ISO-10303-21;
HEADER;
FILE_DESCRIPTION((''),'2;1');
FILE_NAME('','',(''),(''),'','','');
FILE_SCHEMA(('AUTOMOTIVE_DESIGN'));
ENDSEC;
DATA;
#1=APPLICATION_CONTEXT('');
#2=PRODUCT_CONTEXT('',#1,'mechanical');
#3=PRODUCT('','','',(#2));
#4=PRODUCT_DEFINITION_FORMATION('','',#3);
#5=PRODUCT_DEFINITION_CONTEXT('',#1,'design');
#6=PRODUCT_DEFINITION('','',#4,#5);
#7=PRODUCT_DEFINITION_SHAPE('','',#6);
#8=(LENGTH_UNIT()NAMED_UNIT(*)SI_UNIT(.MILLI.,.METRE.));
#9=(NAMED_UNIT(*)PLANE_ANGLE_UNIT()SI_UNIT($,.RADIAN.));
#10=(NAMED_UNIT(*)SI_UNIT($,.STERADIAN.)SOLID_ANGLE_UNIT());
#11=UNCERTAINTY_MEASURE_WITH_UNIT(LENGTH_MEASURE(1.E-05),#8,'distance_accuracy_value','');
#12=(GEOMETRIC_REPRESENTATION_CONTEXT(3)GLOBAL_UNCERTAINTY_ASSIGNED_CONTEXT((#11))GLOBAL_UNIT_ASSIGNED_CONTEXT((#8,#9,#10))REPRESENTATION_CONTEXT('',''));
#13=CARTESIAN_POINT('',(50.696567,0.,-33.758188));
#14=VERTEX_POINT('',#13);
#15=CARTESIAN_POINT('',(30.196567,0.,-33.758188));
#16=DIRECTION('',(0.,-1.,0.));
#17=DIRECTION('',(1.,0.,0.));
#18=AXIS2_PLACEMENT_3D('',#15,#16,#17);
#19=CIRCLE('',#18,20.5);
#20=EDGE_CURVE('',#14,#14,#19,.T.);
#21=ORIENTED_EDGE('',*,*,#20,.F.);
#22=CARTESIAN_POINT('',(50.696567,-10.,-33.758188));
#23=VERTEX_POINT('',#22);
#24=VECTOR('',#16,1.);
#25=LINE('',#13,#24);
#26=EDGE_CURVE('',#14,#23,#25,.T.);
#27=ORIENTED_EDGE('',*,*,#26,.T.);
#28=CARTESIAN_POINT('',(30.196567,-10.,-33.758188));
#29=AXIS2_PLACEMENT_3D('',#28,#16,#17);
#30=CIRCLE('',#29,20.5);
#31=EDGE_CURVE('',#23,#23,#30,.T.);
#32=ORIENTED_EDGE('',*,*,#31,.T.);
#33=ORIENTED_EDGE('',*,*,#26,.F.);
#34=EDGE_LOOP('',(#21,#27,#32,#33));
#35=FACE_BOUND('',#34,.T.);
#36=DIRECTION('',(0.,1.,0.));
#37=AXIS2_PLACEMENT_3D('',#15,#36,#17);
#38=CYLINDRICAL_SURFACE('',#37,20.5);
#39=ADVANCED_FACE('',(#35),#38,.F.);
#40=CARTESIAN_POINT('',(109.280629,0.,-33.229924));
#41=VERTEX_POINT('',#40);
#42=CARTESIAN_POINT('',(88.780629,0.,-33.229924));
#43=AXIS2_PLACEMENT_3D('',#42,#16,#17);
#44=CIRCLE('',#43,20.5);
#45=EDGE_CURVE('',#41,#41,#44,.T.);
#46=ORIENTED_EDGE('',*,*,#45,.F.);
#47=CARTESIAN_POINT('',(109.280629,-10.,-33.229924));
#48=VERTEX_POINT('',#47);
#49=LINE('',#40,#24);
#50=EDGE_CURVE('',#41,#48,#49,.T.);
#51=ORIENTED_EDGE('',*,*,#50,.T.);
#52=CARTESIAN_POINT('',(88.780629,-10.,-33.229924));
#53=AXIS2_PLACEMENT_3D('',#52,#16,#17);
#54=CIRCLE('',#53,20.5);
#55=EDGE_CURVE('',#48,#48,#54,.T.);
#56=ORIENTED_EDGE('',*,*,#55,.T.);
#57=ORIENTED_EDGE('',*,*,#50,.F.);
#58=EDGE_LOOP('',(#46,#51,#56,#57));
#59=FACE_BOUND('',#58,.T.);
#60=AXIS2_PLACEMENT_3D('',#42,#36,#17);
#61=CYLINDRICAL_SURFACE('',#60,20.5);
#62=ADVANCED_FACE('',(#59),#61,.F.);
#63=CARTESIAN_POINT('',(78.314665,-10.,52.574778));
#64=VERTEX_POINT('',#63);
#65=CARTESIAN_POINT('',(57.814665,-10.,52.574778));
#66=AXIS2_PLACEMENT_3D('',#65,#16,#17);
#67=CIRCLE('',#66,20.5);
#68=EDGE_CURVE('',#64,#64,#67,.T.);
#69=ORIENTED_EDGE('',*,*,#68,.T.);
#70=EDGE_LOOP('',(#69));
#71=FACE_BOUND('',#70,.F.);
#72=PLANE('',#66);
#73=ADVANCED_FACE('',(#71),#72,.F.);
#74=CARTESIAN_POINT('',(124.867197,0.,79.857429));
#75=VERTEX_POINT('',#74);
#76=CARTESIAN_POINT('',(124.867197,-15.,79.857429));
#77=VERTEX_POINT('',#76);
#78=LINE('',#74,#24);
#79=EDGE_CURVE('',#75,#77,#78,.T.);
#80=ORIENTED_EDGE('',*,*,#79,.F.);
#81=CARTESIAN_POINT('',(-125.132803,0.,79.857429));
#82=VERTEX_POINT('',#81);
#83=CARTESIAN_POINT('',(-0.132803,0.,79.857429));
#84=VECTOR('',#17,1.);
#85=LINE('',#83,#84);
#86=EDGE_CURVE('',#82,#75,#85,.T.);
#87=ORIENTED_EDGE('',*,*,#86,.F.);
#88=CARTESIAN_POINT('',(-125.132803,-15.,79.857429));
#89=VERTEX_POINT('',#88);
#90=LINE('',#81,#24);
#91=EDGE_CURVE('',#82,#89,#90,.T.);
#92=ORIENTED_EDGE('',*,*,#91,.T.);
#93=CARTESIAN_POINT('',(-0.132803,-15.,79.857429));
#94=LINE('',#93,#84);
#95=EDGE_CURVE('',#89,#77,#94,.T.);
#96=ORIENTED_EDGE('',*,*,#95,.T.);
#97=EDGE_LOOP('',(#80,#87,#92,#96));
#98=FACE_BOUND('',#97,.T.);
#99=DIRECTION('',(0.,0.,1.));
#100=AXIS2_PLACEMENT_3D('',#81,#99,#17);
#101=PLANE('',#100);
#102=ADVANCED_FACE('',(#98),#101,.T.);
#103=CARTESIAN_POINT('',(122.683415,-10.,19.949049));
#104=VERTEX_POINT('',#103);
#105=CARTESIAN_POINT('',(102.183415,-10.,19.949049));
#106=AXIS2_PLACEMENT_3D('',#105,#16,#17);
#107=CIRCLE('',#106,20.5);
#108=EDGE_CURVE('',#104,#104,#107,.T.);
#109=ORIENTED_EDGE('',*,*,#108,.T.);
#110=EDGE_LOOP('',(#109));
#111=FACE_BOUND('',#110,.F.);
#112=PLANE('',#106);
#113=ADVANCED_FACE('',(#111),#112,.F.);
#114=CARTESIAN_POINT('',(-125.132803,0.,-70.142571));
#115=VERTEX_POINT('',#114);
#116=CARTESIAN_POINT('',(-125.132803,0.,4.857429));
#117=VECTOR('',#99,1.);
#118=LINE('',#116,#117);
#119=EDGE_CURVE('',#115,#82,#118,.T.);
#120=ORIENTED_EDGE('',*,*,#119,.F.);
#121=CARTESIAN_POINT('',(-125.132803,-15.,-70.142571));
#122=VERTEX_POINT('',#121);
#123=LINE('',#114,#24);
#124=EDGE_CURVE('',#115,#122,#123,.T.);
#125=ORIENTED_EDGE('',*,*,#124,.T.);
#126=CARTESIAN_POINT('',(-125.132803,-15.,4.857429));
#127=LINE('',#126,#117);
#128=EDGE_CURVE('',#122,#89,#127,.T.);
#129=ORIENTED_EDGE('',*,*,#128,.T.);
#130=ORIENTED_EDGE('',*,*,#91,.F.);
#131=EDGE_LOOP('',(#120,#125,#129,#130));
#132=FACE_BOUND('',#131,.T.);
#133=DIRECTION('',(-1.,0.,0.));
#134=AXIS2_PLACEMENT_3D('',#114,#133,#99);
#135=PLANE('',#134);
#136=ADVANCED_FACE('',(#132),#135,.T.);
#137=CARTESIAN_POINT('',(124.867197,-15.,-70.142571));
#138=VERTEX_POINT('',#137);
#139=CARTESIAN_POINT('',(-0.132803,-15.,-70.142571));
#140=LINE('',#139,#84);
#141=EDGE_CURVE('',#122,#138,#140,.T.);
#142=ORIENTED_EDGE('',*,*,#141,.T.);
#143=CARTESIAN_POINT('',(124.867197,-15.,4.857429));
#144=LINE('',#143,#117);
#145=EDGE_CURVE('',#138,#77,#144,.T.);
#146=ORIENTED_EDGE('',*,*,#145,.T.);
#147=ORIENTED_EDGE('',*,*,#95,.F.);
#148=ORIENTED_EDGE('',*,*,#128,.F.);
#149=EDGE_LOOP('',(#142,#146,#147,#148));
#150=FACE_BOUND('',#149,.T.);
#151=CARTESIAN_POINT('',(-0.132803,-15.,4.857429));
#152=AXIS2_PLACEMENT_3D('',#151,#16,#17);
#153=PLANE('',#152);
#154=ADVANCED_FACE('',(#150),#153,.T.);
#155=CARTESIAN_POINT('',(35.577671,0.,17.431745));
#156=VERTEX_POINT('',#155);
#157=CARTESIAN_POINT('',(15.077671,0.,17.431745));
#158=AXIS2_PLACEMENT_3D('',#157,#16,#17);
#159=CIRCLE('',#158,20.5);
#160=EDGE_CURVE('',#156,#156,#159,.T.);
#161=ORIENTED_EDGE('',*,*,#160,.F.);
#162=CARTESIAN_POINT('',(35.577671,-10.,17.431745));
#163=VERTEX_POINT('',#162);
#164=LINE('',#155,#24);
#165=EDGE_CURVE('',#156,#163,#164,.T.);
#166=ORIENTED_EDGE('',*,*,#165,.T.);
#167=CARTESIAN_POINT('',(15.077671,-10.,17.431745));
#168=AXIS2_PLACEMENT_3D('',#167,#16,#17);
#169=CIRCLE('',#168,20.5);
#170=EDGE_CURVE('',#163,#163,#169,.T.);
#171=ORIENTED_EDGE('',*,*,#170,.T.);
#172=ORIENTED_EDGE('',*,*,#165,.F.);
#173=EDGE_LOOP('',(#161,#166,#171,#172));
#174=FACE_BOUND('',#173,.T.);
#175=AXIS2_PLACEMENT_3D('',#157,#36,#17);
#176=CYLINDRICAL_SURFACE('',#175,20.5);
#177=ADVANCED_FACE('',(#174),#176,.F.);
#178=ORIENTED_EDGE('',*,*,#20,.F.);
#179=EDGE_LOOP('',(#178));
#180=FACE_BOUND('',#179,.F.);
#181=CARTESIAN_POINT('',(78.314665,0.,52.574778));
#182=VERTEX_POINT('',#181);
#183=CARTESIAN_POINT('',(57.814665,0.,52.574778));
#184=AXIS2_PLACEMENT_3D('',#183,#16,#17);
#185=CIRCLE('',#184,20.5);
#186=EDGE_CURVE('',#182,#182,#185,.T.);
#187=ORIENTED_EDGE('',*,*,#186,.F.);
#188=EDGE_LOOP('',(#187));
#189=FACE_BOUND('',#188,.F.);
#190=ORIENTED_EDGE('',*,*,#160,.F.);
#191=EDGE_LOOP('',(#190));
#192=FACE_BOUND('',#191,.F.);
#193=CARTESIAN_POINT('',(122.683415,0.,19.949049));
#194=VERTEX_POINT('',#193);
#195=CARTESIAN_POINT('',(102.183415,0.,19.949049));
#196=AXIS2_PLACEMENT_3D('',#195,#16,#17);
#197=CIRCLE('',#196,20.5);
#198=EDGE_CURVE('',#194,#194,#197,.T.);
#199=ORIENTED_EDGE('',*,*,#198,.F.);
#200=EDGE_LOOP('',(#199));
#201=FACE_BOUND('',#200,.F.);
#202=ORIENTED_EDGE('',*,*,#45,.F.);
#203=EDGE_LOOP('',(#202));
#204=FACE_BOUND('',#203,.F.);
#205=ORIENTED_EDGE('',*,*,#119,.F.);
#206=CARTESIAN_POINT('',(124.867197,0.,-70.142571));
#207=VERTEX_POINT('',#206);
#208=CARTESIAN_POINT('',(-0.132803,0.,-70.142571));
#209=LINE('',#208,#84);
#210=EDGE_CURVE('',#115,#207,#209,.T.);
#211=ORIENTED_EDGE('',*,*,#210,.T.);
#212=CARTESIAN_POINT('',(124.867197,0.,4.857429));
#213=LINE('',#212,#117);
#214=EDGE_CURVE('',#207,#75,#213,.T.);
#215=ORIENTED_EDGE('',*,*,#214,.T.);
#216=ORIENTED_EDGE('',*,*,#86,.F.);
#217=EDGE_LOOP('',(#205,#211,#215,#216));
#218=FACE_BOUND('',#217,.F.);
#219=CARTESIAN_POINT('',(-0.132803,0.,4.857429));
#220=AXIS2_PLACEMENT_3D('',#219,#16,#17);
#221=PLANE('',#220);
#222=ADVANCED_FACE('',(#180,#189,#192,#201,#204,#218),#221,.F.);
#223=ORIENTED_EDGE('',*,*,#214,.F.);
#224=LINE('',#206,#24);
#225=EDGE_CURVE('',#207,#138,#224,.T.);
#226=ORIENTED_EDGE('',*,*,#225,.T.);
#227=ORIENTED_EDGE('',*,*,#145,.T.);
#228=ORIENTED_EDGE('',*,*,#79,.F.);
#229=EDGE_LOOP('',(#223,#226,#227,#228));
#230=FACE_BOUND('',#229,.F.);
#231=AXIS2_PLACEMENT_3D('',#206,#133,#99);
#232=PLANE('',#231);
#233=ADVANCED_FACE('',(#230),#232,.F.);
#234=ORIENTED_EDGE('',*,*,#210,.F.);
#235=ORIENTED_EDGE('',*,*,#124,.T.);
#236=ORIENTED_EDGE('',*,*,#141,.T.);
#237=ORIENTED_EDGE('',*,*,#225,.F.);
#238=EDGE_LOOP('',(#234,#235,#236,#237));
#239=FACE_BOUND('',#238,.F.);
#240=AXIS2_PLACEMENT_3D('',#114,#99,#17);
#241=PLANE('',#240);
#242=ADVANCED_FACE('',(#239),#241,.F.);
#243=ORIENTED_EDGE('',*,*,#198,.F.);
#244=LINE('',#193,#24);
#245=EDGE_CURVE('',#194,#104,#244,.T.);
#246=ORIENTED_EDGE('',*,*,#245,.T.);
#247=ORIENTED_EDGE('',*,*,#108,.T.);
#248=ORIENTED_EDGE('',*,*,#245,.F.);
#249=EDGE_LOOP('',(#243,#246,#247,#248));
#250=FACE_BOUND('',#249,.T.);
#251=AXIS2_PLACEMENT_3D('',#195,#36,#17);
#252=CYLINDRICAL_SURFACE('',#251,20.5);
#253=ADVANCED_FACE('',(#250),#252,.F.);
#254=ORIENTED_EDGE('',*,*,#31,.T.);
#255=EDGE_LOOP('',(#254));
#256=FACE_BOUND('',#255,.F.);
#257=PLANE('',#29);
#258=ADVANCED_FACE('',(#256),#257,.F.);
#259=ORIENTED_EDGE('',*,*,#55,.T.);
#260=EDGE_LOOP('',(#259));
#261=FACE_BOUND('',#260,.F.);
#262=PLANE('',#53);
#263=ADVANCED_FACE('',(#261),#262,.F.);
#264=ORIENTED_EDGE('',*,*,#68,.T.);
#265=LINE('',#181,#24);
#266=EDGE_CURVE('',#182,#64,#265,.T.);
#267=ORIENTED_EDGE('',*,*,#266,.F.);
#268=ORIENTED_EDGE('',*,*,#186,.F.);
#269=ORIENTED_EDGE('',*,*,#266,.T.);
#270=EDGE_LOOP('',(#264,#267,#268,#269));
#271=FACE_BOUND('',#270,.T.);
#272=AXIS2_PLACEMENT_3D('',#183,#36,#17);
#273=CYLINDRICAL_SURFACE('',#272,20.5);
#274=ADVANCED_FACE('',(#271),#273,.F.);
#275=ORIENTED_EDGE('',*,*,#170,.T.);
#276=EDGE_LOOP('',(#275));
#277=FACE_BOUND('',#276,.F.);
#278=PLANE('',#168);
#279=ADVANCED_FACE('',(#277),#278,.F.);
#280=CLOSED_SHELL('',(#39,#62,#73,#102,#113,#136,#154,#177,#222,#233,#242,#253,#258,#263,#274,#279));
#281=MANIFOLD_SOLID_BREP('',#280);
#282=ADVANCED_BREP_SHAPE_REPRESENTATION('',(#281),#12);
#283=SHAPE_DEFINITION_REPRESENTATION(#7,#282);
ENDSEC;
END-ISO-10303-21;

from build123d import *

# Parameters (mm, degrees)
F0_W     = 250
F0_H     = 150
F2_DEPTH = 15
F1_R     = 20.5
F3_DEPTH = 10
F4_DEPTH = 10
F5_DEPTH = 10
F6_DEPTH = 10
F7_DEPTH = 10
F8_DEPTH = 10


with BuildPart() as f2:
    # F0 (on Front) → F2 (new body)
    with BuildSketch(Plane.XZ):
        with Locations((-0.132803, 4.857429)):
            Rectangle(F0_W, F0_H)
    extrude(amount=F2_DEPTH)

    # F1 (on face) → F3 (cut)
    with BuildSketch(Plane.XZ):
        with Locations((57.814665, 52.574778)):
            Circle(F1_R)
    extrude(amount=F3_DEPTH, mode=Mode.SUBTRACT)

    # F1 (on face) → F4 (cut)
    with BuildSketch(Plane.XZ):
        with Locations((102.183415, 19.949049)):
            Circle(F1_R)
    extrude(amount=F4_DEPTH, mode=Mode.SUBTRACT)

    # F1 (on face) → F5 (cut)
    with BuildSketch(Plane.XZ):
        with Locations((102.183415, 19.949049)):
            Circle(F1_R)
    extrude(amount=-F5_DEPTH, mode=Mode.SUBTRACT)

    # F1 (on face) → F6 (cut)
    with BuildSketch(Plane.XZ):
        with Locations((88.780629, -33.229924)):
            Circle(F1_R)
    extrude(amount=F6_DEPTH, mode=Mode.SUBTRACT)

    # F1 (on face) → F7 (cut)
    with BuildSketch(Plane.XZ):
        with Locations((30.196567, -33.758188)):
            Circle(F1_R)
    extrude(amount=F7_DEPTH, mode=Mode.SUBTRACT)

    # F1 (on face) → F8 (cut)
    with BuildSketch(Plane.XZ):
        with Locations((15.077671, 17.431745)):
            Circle(F1_R)
    extrude(amount=F8_DEPTH, mode=Mode.SUBTRACT)


solid = f2.part
